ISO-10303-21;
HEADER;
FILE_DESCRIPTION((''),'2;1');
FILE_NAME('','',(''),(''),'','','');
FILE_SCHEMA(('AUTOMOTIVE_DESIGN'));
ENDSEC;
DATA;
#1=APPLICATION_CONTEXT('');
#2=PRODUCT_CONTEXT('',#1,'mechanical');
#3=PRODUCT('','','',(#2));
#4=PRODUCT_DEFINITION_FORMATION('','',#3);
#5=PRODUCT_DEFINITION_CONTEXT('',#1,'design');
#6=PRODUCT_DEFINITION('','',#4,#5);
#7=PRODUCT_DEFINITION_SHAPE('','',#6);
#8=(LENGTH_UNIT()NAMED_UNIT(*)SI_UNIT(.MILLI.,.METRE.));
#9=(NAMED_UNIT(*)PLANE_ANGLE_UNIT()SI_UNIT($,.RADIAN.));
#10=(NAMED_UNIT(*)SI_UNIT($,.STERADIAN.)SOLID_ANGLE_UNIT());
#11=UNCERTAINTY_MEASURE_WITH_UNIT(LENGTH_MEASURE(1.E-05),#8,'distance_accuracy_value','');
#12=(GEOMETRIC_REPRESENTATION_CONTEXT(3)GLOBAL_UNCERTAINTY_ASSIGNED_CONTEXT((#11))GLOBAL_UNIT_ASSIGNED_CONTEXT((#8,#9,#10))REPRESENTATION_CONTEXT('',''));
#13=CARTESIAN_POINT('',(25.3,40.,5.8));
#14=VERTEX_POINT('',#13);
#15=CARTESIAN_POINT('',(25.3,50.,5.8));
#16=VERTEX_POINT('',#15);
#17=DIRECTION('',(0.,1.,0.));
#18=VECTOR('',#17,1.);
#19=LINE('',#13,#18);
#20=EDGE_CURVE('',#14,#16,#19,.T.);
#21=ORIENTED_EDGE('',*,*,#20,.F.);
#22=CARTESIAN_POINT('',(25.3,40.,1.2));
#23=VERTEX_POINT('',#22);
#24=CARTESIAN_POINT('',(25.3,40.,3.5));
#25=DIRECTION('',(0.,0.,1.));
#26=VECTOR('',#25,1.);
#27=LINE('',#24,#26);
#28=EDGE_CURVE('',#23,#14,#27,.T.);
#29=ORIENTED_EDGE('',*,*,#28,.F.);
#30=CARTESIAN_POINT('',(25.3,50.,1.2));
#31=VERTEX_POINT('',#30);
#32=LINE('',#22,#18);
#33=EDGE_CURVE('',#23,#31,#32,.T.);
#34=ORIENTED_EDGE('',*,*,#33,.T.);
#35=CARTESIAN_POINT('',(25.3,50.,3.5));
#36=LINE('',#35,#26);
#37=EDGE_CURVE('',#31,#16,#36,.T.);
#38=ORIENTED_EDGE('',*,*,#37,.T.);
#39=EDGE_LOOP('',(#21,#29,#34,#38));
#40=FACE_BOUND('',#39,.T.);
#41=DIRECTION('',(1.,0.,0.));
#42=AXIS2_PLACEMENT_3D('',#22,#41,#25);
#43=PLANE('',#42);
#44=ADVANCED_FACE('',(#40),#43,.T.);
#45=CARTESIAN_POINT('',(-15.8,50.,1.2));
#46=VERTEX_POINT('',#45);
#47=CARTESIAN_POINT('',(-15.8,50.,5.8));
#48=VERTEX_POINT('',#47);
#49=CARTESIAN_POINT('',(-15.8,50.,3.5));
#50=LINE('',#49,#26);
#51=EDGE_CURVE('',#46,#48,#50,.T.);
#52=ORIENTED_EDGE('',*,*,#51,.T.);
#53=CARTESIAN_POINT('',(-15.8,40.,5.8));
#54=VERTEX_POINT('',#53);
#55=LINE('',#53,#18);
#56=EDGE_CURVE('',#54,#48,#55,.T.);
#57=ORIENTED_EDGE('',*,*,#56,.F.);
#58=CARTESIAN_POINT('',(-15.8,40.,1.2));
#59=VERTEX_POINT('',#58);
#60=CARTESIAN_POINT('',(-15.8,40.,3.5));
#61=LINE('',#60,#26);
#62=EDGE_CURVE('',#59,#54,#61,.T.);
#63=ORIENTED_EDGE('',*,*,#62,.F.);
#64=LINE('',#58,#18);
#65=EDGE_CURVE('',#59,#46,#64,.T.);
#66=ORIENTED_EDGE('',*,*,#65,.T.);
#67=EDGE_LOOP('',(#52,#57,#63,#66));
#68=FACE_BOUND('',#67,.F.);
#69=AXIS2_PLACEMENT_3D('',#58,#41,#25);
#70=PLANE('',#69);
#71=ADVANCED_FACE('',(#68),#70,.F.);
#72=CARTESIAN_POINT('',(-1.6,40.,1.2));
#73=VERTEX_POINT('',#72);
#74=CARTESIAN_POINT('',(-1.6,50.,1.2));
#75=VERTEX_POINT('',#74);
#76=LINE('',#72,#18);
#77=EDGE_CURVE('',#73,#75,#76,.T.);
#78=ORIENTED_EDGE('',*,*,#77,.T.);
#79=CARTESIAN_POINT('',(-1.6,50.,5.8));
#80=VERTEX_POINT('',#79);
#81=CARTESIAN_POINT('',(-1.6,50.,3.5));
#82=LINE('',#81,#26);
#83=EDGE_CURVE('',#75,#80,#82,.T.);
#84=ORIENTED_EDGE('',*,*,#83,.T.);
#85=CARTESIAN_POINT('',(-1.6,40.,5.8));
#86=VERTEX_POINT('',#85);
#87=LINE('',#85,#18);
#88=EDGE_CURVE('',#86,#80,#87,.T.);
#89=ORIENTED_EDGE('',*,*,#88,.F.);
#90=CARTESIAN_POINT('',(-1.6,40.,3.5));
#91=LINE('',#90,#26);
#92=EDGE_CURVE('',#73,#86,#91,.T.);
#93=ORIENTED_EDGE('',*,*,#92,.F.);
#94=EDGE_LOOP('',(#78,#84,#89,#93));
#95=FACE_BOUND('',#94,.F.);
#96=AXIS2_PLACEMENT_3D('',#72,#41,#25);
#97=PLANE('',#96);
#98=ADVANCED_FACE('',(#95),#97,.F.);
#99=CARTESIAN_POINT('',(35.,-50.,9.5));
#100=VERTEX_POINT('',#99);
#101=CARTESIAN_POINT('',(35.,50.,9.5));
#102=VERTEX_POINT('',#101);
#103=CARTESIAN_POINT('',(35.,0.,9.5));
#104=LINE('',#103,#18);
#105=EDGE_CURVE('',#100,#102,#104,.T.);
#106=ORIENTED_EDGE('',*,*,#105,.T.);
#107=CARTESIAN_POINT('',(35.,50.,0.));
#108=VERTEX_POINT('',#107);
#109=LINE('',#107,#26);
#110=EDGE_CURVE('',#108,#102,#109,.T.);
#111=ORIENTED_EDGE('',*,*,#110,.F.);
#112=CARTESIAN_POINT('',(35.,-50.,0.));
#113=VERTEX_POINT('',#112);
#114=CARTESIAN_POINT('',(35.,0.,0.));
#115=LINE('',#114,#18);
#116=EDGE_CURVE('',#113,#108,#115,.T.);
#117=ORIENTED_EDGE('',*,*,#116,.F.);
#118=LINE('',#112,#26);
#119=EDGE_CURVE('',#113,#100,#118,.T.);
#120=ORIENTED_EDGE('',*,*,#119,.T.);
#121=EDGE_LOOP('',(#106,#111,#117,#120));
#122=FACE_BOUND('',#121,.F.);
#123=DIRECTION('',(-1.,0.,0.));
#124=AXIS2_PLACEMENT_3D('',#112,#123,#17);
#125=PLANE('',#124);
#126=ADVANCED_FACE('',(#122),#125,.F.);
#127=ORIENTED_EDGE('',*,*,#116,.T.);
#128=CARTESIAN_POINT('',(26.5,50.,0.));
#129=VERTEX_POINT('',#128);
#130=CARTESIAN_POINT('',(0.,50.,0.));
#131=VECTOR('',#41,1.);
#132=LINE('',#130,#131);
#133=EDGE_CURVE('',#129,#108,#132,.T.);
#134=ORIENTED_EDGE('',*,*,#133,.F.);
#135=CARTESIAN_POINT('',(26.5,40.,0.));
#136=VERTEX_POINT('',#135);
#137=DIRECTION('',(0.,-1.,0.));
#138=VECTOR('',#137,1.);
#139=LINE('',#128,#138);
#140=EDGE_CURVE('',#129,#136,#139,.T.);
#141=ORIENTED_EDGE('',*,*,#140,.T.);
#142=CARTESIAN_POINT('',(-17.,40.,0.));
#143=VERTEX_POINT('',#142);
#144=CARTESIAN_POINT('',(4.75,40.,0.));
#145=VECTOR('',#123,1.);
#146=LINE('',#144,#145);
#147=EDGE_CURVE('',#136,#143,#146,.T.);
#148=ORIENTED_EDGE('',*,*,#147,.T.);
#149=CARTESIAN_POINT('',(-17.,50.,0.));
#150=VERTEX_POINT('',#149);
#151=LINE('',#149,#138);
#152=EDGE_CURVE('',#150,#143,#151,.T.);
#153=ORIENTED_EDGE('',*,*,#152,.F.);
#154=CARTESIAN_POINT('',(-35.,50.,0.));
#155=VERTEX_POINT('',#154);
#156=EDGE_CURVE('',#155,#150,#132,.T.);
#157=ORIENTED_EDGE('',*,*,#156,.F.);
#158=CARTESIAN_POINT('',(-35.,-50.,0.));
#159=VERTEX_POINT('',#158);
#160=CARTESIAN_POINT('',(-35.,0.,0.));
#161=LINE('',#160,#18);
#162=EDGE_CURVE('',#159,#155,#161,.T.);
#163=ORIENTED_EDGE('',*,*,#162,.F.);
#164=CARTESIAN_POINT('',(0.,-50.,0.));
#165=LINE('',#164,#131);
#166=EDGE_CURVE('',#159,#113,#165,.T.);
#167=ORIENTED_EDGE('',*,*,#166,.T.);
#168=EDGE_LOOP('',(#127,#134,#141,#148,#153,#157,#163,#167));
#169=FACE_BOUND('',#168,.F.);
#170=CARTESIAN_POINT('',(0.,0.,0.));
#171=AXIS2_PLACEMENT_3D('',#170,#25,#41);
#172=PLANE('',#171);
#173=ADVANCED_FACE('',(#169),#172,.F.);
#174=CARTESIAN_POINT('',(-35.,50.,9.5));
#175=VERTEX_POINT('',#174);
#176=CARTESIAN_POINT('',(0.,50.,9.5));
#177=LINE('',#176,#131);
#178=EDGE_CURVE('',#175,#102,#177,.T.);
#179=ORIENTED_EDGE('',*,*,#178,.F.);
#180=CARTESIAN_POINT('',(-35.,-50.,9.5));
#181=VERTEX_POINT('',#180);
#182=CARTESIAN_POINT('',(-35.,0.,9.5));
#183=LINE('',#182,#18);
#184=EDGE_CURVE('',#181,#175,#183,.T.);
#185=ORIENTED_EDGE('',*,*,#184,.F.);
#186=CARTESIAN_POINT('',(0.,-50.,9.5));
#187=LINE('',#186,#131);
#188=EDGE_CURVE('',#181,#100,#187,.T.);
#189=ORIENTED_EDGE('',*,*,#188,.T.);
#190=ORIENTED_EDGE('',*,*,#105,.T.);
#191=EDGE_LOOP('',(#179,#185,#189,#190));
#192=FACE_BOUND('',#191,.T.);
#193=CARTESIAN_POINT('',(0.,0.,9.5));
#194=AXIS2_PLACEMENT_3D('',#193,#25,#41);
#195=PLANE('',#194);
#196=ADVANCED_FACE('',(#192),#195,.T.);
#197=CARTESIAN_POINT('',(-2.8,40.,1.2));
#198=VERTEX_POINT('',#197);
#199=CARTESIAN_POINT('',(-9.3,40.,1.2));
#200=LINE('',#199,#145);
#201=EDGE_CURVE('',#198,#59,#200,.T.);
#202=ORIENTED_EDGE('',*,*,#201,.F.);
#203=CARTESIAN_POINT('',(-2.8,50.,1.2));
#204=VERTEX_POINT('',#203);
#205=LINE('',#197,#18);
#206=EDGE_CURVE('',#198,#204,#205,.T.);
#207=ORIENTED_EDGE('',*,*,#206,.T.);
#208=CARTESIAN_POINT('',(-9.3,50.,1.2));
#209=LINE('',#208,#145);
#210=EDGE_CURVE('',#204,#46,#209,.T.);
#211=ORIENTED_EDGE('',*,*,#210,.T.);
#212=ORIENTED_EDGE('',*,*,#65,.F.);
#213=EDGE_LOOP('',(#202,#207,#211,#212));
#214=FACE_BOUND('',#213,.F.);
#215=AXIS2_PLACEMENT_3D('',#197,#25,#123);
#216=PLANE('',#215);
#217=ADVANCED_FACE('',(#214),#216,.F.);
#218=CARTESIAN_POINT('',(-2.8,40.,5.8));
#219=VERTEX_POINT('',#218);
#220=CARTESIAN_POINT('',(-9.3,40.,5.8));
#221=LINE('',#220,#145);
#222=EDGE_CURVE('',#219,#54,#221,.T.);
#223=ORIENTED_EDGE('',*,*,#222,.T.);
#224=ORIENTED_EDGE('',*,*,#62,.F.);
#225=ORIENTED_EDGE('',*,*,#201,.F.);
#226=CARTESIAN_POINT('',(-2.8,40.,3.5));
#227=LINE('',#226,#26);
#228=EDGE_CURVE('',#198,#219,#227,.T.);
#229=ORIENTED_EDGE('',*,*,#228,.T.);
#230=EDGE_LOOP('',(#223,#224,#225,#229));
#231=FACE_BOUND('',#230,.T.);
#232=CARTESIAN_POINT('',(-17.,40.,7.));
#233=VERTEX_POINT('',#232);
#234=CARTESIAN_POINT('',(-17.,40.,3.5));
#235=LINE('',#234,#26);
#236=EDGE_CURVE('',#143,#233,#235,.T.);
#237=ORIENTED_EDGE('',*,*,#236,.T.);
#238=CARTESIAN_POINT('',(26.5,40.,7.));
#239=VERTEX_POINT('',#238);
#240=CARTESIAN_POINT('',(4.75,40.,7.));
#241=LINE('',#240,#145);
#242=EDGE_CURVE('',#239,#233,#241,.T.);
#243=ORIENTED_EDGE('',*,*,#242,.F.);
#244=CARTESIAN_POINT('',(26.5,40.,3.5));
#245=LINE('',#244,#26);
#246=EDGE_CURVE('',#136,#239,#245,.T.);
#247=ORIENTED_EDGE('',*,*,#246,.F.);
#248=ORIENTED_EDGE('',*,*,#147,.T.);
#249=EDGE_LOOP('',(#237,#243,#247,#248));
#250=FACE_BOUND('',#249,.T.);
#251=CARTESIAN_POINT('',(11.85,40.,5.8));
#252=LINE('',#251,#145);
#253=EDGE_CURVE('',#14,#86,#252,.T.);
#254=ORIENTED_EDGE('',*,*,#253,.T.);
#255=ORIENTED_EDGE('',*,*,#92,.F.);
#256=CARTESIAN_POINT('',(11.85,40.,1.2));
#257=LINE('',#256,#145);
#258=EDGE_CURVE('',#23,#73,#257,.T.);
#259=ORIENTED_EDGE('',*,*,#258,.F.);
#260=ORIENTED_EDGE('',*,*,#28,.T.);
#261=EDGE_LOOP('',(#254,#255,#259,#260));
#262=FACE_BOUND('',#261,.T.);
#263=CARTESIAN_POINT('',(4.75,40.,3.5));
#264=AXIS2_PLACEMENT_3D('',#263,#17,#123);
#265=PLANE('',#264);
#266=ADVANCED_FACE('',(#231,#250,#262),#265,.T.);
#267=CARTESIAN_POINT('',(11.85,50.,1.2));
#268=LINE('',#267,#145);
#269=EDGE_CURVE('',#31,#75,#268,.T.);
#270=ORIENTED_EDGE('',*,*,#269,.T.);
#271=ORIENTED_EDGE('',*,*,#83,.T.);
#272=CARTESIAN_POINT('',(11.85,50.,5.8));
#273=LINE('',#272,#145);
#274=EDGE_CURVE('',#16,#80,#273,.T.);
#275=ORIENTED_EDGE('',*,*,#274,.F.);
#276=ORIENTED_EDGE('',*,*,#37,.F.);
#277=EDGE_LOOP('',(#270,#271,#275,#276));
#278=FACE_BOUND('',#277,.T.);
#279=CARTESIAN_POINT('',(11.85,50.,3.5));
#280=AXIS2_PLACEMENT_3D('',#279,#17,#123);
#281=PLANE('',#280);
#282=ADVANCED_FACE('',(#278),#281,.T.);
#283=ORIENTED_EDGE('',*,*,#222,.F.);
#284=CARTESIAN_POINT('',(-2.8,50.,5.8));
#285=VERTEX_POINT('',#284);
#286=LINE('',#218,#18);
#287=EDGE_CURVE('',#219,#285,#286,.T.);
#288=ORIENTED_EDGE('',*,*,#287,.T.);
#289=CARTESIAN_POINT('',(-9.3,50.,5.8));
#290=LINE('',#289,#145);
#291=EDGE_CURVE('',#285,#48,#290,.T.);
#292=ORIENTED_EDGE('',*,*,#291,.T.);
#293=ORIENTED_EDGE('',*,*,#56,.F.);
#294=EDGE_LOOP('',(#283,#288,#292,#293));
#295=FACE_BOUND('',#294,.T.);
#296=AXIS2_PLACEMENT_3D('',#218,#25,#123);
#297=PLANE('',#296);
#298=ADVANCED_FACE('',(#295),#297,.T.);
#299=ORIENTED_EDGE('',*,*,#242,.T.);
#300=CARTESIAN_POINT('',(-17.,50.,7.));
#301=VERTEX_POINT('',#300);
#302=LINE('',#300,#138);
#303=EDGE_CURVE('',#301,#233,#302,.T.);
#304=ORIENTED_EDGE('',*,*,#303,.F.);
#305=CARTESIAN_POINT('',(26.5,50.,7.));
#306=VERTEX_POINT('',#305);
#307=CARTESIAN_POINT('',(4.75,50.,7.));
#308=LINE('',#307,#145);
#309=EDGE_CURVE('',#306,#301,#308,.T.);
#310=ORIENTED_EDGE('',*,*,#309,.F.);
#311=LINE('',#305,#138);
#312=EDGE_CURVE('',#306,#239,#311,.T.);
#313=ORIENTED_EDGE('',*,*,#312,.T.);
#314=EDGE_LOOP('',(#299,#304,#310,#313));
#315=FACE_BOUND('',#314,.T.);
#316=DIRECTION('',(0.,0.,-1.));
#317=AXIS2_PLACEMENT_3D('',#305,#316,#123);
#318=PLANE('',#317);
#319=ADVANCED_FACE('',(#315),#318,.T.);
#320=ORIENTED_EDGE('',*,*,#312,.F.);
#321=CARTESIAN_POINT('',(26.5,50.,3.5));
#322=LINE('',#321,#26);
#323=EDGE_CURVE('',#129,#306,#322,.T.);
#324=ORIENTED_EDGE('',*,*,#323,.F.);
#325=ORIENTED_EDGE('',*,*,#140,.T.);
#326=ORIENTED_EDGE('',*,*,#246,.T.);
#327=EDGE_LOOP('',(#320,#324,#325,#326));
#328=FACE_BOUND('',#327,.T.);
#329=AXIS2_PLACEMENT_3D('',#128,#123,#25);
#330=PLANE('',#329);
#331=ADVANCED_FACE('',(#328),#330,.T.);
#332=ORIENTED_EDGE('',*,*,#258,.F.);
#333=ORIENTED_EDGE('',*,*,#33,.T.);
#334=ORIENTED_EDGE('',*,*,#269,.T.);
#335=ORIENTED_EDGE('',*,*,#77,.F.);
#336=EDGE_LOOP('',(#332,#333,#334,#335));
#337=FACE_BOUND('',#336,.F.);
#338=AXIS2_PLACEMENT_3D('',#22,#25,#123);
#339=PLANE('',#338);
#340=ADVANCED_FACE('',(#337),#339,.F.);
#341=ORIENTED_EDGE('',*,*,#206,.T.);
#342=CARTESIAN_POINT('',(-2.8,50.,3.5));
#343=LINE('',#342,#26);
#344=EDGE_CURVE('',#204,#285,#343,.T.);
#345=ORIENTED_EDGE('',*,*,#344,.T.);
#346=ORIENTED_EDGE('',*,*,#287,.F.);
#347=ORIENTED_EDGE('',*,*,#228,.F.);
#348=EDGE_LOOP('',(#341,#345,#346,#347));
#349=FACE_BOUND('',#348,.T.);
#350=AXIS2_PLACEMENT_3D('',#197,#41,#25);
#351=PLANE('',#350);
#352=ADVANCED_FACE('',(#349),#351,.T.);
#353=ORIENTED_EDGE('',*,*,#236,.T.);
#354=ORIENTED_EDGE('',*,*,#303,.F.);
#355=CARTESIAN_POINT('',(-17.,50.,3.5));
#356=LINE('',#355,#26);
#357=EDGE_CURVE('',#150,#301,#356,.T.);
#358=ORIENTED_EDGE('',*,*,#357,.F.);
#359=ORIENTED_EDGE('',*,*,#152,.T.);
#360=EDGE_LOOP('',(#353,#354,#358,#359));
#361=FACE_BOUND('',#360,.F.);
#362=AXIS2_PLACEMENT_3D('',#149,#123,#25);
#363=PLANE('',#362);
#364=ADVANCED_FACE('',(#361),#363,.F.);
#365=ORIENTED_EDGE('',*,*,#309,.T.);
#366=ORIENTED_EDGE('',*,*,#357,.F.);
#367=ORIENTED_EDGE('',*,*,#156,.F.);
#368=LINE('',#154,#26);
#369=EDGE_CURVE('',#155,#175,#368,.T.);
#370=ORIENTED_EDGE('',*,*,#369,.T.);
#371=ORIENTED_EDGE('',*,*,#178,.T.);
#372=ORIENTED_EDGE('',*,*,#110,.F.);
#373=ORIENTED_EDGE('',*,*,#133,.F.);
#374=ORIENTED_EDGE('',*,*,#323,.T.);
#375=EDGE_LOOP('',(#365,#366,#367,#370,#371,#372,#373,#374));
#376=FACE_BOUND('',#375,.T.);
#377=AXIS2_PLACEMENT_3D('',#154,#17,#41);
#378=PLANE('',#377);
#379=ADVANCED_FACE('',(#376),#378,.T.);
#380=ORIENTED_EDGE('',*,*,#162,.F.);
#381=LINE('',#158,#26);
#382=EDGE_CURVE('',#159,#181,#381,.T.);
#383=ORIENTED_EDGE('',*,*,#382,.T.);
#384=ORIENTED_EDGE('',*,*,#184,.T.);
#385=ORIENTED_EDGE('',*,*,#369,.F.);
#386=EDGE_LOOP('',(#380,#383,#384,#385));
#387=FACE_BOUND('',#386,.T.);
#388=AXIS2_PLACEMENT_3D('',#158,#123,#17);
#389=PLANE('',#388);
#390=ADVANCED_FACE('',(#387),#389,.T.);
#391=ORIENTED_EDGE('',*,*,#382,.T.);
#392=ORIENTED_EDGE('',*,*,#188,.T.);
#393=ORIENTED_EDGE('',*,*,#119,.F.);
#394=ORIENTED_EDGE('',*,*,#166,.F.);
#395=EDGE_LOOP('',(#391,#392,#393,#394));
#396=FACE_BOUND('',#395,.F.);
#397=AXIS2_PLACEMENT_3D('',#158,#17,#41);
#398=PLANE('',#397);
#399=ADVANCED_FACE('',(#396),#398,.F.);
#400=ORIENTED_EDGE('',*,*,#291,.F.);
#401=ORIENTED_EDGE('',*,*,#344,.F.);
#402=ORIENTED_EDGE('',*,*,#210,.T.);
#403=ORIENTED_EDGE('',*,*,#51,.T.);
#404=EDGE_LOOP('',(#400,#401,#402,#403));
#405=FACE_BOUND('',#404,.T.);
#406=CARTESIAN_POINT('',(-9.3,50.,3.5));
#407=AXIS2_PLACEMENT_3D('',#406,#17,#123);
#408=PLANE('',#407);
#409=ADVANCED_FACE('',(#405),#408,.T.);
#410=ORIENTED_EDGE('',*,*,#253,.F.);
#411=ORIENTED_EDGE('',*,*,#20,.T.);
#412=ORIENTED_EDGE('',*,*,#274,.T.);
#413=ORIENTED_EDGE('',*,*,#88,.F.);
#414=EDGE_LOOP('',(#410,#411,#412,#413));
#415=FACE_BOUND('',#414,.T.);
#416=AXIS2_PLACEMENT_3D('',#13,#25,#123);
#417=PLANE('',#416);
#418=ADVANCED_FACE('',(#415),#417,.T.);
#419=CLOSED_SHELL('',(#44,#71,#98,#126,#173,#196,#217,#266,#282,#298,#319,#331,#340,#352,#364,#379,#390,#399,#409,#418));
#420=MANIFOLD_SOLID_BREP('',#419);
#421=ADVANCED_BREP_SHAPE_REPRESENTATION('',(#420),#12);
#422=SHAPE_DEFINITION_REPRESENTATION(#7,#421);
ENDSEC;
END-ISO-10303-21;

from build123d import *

# Parameters (mm, degrees)
F0_W     = 70
F0_H     = 100
F1_DEPTH = 9.5
F2_W     = 43.5
F2_H     = 7
F3_DEPTH = 10
F4_W     = 26.9
F4_H     = 4.6
F4_W_2   = 13
F5_DEPTH = 10


with BuildPart() as f1:
    # F0 (on Top) → F1 (new body)
    with BuildSketch(Plane.XY):
        Rectangle(F0_W, F0_H)
    extrude(amount=F1_DEPTH)

    # F2 (on face) → F3 (cut)
    with BuildSketch(Plane(origin=(0, 50, 0), x_dir=(-1, 0, 0), z_dir=(0, 1, 0))):
        with Locations((-4.75, 3.5)):
            Rectangle(F2_W, F2_H)
    extrude(amount=-F3_DEPTH, mode=Mode.SUBTRACT)

    # F4 (on face) → F5 (join)
    with BuildSketch(Plane(origin=(0, 40, 0), x_dir=(-1, 0, 0), z_dir=(0, 1, 0))):
        with Locations((-11.85, 3.5)):
            Rectangle(F4_W, F4_H)
        with Locations((9.3, 3.5)):
            Rectangle(F4_W_2, F4_H)
    extrude(amount=F5_DEPTH)


solid = f1.part
